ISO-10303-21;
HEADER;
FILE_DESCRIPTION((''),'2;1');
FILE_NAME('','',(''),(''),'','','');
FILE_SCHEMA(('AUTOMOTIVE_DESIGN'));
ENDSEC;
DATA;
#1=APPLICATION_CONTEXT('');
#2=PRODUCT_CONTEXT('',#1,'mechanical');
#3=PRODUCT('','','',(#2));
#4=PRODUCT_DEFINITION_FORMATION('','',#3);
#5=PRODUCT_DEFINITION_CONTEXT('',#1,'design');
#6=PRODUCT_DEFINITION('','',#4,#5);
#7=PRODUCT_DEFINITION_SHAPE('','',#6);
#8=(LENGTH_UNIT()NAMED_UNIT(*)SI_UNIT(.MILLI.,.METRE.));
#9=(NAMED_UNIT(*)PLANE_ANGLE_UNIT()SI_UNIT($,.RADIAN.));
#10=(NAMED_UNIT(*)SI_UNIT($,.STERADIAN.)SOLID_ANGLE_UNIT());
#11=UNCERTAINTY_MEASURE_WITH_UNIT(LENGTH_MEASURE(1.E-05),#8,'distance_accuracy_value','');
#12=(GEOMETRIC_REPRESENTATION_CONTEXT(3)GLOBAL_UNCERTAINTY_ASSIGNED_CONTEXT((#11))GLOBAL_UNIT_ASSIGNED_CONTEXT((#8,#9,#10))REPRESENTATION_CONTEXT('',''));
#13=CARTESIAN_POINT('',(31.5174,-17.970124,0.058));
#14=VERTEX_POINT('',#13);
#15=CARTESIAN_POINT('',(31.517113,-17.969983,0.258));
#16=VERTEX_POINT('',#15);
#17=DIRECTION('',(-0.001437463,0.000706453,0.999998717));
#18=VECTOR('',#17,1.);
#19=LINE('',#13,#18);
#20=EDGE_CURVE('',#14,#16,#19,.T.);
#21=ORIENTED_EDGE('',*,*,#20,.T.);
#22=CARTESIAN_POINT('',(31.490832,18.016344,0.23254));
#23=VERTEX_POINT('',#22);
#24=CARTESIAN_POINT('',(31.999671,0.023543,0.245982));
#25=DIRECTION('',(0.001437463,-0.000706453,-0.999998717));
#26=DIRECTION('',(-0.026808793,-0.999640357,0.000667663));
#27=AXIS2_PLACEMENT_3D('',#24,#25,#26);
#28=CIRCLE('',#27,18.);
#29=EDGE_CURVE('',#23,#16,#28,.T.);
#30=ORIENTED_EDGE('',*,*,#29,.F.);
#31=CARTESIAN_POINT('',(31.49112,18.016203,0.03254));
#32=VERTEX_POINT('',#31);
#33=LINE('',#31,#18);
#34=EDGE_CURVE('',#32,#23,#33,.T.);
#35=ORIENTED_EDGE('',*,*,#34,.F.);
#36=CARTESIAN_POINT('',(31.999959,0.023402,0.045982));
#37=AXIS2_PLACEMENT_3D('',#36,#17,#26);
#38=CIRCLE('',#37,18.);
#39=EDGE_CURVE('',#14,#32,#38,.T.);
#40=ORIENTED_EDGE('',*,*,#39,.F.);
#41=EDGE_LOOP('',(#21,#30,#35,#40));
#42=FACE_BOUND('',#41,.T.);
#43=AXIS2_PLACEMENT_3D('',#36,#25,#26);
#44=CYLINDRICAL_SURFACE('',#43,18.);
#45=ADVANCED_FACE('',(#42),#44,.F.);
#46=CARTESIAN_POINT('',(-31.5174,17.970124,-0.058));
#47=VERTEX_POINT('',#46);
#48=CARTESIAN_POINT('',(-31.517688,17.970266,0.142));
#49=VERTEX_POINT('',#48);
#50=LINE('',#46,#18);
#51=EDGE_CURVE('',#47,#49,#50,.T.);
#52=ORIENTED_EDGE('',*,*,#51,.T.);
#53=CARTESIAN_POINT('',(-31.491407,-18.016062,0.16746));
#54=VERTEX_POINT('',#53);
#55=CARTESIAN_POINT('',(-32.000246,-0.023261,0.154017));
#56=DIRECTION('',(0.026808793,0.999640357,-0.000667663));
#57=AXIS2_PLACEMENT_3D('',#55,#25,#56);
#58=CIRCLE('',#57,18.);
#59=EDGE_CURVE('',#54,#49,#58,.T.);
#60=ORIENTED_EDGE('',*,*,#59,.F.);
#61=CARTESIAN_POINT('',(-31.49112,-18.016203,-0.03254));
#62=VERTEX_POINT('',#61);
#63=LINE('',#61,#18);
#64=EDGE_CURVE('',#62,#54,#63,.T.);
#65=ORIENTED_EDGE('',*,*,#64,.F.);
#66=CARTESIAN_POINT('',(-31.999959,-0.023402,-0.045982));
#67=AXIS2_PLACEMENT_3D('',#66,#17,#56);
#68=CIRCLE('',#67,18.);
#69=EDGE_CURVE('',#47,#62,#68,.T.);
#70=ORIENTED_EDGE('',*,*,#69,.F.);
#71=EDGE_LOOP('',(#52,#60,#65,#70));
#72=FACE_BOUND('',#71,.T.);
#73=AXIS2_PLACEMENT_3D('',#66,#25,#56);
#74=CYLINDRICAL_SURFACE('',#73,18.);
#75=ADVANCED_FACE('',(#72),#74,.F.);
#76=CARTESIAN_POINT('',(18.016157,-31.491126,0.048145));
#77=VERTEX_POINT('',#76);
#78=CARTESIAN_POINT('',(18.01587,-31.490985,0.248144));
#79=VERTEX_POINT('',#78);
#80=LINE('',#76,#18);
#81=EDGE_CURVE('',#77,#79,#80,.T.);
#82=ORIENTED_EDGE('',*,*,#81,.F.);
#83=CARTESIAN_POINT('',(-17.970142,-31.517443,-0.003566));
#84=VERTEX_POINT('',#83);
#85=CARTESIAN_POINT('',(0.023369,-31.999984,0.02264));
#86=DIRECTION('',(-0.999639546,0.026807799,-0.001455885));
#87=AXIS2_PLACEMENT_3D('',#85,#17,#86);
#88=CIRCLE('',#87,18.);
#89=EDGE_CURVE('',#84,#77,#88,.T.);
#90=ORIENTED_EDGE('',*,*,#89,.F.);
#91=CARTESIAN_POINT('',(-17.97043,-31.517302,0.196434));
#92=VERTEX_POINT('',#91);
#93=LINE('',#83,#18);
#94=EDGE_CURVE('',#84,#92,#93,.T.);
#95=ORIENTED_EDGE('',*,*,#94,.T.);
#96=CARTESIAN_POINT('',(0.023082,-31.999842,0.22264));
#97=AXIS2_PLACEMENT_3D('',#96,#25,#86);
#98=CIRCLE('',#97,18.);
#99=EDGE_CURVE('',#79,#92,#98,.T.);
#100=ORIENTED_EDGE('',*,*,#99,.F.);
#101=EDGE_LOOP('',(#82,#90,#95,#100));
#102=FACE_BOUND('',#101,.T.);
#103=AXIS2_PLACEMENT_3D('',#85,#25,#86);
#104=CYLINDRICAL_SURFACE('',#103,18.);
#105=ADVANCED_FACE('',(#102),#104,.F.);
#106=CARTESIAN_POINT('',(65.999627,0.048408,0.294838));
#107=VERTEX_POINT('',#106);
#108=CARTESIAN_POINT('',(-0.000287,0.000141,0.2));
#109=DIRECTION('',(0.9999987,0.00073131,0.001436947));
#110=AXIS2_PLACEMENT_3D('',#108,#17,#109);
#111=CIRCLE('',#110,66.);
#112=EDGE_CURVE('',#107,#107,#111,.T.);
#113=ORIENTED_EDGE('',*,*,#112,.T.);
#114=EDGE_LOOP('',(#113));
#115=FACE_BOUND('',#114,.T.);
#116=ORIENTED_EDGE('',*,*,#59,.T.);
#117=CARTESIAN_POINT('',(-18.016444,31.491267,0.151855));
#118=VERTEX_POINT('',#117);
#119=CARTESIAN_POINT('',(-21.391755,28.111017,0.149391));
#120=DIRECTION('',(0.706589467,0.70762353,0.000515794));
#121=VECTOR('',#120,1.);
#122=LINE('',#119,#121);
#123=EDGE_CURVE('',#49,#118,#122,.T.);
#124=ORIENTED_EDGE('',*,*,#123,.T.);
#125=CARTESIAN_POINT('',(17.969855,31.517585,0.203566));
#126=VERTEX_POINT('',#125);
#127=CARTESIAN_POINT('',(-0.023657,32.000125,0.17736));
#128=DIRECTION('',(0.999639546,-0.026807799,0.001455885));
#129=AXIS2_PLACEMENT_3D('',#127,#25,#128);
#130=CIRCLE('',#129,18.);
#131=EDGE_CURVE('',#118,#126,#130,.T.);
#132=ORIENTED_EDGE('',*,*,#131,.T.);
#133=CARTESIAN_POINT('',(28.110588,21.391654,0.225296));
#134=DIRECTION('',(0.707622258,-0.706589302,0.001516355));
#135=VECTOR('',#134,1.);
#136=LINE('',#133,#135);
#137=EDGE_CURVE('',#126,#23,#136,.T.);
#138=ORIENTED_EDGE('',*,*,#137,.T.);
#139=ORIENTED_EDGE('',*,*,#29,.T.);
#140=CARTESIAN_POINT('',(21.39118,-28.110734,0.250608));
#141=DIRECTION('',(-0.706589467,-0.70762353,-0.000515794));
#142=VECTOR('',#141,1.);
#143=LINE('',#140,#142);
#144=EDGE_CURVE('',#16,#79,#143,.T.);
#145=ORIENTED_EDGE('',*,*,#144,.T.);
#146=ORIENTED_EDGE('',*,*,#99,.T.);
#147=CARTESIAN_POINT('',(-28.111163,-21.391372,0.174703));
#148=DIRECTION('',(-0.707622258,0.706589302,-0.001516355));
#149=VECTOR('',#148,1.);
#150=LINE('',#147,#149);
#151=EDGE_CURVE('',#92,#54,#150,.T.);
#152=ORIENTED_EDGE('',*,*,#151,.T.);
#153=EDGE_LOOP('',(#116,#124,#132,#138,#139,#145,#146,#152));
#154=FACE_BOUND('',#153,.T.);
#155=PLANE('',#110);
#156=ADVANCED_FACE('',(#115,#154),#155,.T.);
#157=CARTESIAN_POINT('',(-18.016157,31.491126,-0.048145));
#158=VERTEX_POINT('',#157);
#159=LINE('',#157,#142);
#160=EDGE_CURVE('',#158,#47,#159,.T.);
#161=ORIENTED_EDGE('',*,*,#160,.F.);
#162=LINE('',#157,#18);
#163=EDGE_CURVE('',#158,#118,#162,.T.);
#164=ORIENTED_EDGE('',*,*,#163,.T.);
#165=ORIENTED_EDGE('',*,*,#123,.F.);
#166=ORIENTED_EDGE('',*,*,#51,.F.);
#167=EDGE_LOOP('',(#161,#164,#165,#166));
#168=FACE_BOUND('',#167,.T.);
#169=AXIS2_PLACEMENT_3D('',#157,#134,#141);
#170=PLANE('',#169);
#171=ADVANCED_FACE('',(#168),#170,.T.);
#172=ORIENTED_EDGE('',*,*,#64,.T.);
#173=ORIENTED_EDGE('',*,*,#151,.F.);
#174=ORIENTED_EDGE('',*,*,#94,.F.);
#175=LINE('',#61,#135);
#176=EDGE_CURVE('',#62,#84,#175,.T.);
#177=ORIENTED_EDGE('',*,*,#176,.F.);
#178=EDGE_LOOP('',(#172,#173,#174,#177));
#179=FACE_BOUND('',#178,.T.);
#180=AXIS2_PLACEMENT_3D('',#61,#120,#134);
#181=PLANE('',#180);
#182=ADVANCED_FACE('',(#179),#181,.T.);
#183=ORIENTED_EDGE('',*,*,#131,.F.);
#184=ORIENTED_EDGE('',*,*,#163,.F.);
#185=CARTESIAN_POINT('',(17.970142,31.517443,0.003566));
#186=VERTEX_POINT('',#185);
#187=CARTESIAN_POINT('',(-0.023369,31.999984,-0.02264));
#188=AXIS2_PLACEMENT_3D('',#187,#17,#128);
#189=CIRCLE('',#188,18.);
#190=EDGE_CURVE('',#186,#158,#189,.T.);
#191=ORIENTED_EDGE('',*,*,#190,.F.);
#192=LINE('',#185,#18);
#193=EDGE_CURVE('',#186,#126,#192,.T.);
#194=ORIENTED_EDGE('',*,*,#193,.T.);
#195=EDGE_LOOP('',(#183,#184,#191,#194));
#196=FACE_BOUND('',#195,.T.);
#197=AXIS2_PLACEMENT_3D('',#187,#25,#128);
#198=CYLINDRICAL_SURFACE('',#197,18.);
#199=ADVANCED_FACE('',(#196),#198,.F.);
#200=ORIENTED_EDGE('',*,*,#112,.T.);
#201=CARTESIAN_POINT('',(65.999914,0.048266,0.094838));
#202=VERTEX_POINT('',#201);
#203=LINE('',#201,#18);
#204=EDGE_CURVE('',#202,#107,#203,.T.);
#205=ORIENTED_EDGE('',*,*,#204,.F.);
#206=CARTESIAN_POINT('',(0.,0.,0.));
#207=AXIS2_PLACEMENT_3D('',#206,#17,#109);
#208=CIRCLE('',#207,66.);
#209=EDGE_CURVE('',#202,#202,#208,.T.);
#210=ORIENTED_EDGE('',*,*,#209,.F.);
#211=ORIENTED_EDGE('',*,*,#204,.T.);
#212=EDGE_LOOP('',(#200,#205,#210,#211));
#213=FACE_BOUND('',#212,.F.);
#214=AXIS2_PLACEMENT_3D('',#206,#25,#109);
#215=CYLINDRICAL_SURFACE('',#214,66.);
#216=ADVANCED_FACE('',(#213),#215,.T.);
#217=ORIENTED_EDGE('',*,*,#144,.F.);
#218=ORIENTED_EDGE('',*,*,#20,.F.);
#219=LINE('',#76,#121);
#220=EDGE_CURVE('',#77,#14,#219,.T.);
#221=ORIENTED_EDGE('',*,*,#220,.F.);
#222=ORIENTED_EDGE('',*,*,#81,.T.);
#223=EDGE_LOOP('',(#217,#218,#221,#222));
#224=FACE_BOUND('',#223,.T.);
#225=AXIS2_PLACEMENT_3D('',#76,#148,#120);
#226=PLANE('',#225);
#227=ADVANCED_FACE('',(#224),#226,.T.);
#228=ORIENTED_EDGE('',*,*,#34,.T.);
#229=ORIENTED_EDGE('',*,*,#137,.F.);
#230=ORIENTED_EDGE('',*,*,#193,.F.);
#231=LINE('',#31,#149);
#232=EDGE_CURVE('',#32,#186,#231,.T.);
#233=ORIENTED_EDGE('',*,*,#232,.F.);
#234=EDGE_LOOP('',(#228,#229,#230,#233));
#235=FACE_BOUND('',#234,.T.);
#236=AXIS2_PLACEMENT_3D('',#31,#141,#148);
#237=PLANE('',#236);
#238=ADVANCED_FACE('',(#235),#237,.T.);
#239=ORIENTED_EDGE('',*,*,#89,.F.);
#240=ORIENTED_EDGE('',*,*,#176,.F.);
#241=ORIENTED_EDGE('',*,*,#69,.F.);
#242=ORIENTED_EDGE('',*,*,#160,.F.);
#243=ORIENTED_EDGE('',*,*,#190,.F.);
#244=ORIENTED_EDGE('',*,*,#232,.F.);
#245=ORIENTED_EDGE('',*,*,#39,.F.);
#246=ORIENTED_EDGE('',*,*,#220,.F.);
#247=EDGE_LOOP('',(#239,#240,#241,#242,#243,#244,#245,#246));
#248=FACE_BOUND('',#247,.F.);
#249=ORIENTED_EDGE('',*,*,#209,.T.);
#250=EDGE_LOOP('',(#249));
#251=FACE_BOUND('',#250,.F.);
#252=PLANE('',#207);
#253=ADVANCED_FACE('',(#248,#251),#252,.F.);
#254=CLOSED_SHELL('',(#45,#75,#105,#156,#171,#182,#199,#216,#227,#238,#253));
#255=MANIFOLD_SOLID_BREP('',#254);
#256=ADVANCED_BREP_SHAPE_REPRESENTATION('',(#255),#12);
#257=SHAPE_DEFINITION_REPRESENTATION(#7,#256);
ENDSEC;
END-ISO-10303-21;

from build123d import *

# Parameters (mm, degrees)
PAD_DEPTH           = 10
CYLINDER_R          = 66
CYLINDER_DEPTH      = 0.2
CUT_ROLL_ANGLE      = -0.040537
CUT_PITCH_ANGLE     = -0.082331
CUT_PLACEMENT_ANGLE = 0.041901


with BuildPart() as pad:
    # Sketch → Pad (new body)
    with BuildSketch(Plane.XY):
        with BuildLine():
            ThreePointArc((31.504301, -17.993173), (50, 0), (31.504301, 17.993173))
            Line((31.504301, 17.993173), (17.993173, 31.504301))
            ThreePointArc((17.993173, 31.504301), (0, 50), (-17.993173, 31.504301))
            Line((-17.993173, 31.504301), (-31.504301, 17.993173))
            ThreePointArc((-31.504301, 17.993173), (-50, 0), (-31.504301, -17.993173))
            Line((-31.504301, -17.993173), (-17.993173, -31.504301))
            ThreePointArc((-17.993173, -31.504301), (0, -50), (17.993173, -31.504301))
            Line((17.993173, -31.504301), (31.504301, -17.993173))
        make_face()
    extrude(amount=PAD_DEPTH)


with BuildPart() as cut:
    # Cylinder → Cylinder (new body)
    with BuildSketch(Plane.XY):
        Circle(CYLINDER_R)
    extrude(amount=CYLINDER_DEPTH)

    # Cut: cut Pad
    add(pad.part, mode=Mode.SUBTRACT)


with BuildPart() as cut_1:
    # Cut roll: moved
    add(cut.part.rotate(Axis((0, 0, 0), (1, 0, 0)), CUT_ROLL_ANGLE))


with BuildPart() as cut_2:
    # Cut pitch: moved
    add(cut_1.part.rotate(Axis((0, 0, 0), (0, 1, 0)), CUT_PITCH_ANGLE))


with BuildPart() as cut_3:
    # Cut placement: moved
    add(cut_2.part.rotate(Axis((0, 0, 0), (0, 0, 1)), CUT_PLACEMENT_ANGLE))


solid = cut_3.part
